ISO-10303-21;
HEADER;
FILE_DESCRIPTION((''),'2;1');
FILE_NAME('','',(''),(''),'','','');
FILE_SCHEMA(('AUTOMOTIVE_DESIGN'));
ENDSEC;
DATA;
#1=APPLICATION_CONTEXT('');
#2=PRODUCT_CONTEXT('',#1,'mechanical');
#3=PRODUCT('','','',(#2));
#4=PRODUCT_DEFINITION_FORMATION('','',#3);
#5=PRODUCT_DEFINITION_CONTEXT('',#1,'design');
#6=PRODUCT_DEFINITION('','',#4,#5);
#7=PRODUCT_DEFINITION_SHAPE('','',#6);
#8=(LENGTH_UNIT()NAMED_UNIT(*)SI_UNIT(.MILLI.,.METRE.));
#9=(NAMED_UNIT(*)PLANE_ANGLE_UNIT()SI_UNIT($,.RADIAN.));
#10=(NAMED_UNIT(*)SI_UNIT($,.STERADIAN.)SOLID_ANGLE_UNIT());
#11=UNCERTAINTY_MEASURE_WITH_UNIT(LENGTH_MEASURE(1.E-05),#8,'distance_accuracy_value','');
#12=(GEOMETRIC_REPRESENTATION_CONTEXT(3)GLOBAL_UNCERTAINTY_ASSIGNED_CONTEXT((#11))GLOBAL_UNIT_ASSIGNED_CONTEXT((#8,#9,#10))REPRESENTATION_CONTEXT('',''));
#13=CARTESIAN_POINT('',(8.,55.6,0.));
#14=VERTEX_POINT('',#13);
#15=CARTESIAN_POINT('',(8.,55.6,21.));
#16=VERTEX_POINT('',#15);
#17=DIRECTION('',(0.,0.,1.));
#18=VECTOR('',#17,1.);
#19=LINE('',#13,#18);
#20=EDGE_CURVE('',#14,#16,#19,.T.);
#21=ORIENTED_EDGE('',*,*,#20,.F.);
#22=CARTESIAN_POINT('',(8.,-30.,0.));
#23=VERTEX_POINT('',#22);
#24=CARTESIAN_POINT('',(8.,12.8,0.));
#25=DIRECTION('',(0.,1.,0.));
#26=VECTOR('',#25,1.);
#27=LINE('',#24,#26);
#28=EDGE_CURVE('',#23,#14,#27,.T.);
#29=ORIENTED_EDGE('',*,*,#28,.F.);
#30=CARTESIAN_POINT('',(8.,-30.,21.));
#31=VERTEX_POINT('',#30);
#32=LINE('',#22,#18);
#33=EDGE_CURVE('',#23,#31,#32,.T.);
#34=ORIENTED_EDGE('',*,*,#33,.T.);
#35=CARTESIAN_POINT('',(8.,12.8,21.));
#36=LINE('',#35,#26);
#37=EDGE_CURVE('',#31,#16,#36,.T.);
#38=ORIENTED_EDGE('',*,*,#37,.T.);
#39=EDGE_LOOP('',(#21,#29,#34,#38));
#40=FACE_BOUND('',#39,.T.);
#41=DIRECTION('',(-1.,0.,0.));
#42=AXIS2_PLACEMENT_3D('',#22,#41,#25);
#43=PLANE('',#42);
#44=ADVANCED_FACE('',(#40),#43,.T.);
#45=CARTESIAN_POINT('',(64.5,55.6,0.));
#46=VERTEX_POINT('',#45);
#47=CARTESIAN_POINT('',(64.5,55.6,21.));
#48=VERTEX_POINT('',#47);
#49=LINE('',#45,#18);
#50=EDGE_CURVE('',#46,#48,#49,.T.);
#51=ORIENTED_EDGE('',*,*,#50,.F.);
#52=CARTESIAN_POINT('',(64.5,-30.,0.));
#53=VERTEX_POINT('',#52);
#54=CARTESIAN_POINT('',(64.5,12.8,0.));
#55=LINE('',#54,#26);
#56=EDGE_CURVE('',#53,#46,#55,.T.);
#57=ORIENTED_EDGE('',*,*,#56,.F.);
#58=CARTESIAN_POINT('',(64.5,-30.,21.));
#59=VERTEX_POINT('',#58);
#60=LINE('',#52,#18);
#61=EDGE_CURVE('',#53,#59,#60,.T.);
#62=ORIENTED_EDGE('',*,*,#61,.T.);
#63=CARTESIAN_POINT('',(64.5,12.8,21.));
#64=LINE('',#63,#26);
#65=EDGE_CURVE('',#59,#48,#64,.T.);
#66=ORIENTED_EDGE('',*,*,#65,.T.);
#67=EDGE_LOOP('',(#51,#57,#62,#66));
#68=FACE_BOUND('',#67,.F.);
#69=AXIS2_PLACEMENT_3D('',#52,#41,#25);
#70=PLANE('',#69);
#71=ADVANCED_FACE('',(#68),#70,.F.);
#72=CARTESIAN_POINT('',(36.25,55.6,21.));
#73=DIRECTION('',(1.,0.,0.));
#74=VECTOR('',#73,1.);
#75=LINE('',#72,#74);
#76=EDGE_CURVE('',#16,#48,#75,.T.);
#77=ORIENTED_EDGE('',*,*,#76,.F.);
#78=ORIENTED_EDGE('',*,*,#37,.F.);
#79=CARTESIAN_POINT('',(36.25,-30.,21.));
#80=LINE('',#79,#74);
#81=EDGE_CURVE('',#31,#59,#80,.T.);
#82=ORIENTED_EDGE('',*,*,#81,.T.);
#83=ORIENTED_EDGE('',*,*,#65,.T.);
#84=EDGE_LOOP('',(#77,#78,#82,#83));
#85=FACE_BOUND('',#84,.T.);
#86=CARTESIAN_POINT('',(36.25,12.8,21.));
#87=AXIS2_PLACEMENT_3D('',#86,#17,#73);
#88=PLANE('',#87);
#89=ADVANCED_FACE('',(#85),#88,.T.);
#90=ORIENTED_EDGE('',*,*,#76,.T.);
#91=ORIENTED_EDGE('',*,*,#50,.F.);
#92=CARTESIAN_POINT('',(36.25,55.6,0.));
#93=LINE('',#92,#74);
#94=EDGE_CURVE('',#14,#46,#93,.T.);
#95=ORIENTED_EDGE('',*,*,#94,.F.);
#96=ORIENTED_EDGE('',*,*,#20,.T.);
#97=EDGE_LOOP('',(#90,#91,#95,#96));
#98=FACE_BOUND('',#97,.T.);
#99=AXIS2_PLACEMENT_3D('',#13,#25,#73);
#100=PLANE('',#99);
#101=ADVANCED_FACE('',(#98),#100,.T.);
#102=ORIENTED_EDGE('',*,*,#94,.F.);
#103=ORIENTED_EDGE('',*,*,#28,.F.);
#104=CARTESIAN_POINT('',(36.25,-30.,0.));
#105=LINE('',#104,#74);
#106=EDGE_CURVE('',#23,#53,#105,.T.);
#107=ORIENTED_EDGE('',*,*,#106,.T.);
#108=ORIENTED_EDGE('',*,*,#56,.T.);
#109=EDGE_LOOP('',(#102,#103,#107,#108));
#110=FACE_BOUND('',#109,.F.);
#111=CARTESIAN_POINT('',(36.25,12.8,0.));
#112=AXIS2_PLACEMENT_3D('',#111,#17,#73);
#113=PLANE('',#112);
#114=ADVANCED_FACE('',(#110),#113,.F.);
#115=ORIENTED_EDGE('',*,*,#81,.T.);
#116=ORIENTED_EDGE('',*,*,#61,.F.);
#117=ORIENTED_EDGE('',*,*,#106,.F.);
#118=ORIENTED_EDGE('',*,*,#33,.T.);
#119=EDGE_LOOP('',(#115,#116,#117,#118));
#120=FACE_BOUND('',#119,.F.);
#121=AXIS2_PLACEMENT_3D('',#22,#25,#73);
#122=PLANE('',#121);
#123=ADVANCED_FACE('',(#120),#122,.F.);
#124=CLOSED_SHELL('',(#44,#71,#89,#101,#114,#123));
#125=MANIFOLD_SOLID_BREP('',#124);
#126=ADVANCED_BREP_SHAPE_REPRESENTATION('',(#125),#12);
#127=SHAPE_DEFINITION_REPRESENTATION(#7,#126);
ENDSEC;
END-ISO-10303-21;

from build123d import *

# Parameters (mm, degrees)
SKETCH_W  = 56.5
SKETCH_H  = 85.6
PAD_DEPTH = 21


with BuildPart() as part:
    # Sketch → Pad (new body)
    with BuildSketch(Plane.XY):
        with Locations((36.25, 12.8)):
            Rectangle(SKETCH_W, SKETCH_H)
    extrude(amount=PAD_DEPTH)


solid = part.part
